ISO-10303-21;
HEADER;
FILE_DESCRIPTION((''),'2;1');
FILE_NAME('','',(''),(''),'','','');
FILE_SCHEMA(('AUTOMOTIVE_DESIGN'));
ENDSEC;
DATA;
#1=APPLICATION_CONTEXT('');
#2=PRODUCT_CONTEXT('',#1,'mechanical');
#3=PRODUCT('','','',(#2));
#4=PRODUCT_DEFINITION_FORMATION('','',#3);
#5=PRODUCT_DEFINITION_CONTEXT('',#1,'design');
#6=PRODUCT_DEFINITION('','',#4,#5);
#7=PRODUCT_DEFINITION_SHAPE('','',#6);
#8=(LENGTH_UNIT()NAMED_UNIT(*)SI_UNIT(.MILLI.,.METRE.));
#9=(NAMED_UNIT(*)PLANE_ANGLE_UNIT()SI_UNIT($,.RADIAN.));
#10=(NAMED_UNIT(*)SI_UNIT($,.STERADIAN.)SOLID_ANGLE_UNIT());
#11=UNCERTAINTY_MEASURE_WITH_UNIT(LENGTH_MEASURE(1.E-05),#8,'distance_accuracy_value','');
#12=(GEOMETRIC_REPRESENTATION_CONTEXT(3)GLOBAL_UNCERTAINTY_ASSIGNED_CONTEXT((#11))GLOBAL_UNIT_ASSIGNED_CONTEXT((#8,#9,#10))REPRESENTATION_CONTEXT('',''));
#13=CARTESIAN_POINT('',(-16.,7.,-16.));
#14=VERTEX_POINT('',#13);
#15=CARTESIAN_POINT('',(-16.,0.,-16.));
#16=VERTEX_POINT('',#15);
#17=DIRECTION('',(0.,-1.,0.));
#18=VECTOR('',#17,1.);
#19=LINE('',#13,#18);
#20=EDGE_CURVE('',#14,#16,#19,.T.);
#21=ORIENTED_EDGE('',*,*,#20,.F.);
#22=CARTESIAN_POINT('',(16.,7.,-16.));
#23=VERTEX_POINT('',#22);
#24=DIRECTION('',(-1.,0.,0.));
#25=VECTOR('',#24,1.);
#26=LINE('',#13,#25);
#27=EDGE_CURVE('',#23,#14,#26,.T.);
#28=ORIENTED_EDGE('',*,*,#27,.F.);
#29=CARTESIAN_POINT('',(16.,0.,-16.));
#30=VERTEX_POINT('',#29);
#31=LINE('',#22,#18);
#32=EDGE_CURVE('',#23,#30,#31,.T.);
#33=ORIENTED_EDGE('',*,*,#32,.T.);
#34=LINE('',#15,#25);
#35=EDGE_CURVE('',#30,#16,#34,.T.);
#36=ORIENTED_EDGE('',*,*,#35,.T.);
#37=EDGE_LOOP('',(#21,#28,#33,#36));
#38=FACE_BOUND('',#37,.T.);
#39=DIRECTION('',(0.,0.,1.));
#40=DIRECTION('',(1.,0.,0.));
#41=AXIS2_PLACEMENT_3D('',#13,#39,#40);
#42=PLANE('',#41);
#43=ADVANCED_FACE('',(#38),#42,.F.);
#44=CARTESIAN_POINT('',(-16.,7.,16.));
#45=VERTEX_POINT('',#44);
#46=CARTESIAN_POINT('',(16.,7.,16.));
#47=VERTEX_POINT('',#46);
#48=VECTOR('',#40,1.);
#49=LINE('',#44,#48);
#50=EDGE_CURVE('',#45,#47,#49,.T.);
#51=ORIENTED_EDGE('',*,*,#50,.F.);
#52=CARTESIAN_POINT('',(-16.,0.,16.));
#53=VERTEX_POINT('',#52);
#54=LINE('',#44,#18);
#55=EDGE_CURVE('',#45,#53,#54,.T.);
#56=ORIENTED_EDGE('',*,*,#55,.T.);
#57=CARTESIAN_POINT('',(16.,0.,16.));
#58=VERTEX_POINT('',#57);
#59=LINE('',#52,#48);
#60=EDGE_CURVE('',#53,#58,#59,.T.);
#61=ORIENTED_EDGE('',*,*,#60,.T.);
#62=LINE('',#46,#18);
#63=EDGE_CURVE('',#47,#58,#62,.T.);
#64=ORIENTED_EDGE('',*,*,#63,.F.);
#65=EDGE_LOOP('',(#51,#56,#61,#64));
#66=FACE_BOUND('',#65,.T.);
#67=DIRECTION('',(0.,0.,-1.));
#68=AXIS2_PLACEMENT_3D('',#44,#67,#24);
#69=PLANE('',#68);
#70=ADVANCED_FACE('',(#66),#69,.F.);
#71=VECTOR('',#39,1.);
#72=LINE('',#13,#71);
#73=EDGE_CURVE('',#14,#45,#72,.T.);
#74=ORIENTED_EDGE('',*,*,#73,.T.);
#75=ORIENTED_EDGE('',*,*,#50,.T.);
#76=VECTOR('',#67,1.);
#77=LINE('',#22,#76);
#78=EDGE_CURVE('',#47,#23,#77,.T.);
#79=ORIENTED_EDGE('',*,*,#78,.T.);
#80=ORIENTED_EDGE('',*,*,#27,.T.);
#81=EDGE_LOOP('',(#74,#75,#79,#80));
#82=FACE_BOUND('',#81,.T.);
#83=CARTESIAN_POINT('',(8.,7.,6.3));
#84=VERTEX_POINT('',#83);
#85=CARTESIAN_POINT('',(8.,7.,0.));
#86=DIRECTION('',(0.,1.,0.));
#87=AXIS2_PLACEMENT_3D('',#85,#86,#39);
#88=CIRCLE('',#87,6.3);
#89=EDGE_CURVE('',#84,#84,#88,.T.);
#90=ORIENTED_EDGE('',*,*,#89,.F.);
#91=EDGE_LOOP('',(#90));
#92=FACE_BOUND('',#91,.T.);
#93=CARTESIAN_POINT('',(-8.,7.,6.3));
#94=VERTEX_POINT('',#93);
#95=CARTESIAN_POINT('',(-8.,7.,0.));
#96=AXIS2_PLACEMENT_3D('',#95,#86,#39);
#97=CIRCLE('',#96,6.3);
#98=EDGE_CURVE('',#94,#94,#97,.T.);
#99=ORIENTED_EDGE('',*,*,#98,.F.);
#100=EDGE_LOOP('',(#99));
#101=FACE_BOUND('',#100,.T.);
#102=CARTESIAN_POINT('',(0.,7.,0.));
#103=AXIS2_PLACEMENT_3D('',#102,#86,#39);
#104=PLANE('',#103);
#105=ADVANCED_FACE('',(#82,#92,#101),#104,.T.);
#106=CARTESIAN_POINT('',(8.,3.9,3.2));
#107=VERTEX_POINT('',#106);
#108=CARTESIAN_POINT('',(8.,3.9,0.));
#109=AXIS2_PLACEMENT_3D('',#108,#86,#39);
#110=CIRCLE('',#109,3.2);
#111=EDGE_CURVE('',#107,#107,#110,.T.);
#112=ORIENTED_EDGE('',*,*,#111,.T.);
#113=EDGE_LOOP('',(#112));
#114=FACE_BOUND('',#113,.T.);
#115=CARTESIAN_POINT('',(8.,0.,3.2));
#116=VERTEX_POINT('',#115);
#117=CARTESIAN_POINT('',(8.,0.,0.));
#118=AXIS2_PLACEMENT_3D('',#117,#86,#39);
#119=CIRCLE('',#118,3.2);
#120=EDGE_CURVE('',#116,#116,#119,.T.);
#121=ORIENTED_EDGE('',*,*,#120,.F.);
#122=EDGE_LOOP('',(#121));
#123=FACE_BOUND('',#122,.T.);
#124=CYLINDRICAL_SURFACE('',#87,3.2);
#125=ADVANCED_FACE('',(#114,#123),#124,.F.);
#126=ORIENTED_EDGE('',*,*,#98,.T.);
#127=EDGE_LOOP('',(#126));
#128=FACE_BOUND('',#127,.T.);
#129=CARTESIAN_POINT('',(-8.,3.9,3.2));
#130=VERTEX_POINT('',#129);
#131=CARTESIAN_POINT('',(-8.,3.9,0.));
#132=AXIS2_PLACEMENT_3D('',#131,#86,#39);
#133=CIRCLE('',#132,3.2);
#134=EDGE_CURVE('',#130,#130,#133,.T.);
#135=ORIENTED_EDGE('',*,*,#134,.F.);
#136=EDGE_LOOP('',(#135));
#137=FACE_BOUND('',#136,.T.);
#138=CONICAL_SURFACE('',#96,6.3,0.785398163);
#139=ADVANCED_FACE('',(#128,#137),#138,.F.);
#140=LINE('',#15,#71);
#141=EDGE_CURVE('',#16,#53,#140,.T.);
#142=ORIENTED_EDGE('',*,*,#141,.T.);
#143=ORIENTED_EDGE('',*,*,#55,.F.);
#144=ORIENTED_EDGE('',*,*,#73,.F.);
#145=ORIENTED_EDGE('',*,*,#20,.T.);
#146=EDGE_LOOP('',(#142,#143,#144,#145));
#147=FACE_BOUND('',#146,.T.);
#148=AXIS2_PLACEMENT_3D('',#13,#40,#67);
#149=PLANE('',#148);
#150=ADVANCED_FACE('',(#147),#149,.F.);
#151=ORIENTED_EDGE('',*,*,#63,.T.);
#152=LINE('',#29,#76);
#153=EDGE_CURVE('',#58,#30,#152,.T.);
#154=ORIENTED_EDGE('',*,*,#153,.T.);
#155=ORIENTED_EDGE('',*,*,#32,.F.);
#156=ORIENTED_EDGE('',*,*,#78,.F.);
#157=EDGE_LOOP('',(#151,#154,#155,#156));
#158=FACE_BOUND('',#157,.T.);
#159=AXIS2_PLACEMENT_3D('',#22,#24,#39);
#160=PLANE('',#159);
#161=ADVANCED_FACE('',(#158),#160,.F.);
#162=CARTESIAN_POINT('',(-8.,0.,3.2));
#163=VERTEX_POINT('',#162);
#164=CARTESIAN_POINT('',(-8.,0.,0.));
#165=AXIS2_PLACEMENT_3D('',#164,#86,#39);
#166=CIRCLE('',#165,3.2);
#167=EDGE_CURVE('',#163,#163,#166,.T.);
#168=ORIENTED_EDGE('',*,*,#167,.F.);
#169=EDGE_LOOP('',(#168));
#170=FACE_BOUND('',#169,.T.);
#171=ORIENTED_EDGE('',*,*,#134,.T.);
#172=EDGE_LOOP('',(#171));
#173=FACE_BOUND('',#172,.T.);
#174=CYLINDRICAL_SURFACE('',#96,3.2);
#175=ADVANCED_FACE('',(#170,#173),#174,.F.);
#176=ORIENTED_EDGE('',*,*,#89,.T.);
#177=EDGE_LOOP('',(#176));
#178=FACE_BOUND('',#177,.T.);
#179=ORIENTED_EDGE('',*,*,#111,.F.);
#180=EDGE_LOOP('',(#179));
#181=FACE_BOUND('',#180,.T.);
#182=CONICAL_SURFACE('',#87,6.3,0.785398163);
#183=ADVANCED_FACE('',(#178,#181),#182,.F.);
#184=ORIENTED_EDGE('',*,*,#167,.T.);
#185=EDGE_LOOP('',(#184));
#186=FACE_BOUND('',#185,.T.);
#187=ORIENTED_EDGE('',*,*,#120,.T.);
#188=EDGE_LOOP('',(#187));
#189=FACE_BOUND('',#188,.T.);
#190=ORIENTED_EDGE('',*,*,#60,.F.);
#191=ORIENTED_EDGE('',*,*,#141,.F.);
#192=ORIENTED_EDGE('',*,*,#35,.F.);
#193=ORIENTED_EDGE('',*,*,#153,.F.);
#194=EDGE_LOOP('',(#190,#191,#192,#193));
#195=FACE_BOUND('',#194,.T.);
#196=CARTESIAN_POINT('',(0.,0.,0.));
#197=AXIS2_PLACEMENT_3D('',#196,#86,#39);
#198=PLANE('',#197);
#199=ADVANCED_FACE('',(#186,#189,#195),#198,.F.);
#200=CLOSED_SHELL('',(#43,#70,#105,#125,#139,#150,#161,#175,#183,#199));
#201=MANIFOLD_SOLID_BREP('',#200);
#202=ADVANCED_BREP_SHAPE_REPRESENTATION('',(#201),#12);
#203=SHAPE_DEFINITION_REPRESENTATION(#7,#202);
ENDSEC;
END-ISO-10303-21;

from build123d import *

# Parameters (mm, degrees)
SKETCH1_W           = 32
SKETCH1_H           = 32
BOSS_EXTRUDE1_DEPTH = 7
HOLE1_D             = 6.4
HOLE1_DEPTH         = 7
HOLE1_CSINK_D       = 12.6
HOLE1_CSINK_ANGLE   = 90


with BuildPart() as part:
    # Sketch1 → Boss-Extrude1 (new body)
    with BuildSketch(Plane(origin=(0, 0, 0), x_dir=(1, 0, 0), z_dir=(0, 1, 0))):
        Rectangle(SKETCH1_W, SKETCH1_H)
    extrude(amount=BOSS_EXTRUDE1_DEPTH)

    # Hole1
    with Locations(Plane(origin=(0, 7, 0), x_dir=(1, 0, 0), z_dir=(0, 1, 0))):
        with Locations((8, 0), (-8, 0)):
            CounterSinkHole(HOLE1_D / 2, HOLE1_CSINK_D / 2, depth=HOLE1_DEPTH, counter_sink_angle=HOLE1_CSINK_ANGLE)


solid = part.part
